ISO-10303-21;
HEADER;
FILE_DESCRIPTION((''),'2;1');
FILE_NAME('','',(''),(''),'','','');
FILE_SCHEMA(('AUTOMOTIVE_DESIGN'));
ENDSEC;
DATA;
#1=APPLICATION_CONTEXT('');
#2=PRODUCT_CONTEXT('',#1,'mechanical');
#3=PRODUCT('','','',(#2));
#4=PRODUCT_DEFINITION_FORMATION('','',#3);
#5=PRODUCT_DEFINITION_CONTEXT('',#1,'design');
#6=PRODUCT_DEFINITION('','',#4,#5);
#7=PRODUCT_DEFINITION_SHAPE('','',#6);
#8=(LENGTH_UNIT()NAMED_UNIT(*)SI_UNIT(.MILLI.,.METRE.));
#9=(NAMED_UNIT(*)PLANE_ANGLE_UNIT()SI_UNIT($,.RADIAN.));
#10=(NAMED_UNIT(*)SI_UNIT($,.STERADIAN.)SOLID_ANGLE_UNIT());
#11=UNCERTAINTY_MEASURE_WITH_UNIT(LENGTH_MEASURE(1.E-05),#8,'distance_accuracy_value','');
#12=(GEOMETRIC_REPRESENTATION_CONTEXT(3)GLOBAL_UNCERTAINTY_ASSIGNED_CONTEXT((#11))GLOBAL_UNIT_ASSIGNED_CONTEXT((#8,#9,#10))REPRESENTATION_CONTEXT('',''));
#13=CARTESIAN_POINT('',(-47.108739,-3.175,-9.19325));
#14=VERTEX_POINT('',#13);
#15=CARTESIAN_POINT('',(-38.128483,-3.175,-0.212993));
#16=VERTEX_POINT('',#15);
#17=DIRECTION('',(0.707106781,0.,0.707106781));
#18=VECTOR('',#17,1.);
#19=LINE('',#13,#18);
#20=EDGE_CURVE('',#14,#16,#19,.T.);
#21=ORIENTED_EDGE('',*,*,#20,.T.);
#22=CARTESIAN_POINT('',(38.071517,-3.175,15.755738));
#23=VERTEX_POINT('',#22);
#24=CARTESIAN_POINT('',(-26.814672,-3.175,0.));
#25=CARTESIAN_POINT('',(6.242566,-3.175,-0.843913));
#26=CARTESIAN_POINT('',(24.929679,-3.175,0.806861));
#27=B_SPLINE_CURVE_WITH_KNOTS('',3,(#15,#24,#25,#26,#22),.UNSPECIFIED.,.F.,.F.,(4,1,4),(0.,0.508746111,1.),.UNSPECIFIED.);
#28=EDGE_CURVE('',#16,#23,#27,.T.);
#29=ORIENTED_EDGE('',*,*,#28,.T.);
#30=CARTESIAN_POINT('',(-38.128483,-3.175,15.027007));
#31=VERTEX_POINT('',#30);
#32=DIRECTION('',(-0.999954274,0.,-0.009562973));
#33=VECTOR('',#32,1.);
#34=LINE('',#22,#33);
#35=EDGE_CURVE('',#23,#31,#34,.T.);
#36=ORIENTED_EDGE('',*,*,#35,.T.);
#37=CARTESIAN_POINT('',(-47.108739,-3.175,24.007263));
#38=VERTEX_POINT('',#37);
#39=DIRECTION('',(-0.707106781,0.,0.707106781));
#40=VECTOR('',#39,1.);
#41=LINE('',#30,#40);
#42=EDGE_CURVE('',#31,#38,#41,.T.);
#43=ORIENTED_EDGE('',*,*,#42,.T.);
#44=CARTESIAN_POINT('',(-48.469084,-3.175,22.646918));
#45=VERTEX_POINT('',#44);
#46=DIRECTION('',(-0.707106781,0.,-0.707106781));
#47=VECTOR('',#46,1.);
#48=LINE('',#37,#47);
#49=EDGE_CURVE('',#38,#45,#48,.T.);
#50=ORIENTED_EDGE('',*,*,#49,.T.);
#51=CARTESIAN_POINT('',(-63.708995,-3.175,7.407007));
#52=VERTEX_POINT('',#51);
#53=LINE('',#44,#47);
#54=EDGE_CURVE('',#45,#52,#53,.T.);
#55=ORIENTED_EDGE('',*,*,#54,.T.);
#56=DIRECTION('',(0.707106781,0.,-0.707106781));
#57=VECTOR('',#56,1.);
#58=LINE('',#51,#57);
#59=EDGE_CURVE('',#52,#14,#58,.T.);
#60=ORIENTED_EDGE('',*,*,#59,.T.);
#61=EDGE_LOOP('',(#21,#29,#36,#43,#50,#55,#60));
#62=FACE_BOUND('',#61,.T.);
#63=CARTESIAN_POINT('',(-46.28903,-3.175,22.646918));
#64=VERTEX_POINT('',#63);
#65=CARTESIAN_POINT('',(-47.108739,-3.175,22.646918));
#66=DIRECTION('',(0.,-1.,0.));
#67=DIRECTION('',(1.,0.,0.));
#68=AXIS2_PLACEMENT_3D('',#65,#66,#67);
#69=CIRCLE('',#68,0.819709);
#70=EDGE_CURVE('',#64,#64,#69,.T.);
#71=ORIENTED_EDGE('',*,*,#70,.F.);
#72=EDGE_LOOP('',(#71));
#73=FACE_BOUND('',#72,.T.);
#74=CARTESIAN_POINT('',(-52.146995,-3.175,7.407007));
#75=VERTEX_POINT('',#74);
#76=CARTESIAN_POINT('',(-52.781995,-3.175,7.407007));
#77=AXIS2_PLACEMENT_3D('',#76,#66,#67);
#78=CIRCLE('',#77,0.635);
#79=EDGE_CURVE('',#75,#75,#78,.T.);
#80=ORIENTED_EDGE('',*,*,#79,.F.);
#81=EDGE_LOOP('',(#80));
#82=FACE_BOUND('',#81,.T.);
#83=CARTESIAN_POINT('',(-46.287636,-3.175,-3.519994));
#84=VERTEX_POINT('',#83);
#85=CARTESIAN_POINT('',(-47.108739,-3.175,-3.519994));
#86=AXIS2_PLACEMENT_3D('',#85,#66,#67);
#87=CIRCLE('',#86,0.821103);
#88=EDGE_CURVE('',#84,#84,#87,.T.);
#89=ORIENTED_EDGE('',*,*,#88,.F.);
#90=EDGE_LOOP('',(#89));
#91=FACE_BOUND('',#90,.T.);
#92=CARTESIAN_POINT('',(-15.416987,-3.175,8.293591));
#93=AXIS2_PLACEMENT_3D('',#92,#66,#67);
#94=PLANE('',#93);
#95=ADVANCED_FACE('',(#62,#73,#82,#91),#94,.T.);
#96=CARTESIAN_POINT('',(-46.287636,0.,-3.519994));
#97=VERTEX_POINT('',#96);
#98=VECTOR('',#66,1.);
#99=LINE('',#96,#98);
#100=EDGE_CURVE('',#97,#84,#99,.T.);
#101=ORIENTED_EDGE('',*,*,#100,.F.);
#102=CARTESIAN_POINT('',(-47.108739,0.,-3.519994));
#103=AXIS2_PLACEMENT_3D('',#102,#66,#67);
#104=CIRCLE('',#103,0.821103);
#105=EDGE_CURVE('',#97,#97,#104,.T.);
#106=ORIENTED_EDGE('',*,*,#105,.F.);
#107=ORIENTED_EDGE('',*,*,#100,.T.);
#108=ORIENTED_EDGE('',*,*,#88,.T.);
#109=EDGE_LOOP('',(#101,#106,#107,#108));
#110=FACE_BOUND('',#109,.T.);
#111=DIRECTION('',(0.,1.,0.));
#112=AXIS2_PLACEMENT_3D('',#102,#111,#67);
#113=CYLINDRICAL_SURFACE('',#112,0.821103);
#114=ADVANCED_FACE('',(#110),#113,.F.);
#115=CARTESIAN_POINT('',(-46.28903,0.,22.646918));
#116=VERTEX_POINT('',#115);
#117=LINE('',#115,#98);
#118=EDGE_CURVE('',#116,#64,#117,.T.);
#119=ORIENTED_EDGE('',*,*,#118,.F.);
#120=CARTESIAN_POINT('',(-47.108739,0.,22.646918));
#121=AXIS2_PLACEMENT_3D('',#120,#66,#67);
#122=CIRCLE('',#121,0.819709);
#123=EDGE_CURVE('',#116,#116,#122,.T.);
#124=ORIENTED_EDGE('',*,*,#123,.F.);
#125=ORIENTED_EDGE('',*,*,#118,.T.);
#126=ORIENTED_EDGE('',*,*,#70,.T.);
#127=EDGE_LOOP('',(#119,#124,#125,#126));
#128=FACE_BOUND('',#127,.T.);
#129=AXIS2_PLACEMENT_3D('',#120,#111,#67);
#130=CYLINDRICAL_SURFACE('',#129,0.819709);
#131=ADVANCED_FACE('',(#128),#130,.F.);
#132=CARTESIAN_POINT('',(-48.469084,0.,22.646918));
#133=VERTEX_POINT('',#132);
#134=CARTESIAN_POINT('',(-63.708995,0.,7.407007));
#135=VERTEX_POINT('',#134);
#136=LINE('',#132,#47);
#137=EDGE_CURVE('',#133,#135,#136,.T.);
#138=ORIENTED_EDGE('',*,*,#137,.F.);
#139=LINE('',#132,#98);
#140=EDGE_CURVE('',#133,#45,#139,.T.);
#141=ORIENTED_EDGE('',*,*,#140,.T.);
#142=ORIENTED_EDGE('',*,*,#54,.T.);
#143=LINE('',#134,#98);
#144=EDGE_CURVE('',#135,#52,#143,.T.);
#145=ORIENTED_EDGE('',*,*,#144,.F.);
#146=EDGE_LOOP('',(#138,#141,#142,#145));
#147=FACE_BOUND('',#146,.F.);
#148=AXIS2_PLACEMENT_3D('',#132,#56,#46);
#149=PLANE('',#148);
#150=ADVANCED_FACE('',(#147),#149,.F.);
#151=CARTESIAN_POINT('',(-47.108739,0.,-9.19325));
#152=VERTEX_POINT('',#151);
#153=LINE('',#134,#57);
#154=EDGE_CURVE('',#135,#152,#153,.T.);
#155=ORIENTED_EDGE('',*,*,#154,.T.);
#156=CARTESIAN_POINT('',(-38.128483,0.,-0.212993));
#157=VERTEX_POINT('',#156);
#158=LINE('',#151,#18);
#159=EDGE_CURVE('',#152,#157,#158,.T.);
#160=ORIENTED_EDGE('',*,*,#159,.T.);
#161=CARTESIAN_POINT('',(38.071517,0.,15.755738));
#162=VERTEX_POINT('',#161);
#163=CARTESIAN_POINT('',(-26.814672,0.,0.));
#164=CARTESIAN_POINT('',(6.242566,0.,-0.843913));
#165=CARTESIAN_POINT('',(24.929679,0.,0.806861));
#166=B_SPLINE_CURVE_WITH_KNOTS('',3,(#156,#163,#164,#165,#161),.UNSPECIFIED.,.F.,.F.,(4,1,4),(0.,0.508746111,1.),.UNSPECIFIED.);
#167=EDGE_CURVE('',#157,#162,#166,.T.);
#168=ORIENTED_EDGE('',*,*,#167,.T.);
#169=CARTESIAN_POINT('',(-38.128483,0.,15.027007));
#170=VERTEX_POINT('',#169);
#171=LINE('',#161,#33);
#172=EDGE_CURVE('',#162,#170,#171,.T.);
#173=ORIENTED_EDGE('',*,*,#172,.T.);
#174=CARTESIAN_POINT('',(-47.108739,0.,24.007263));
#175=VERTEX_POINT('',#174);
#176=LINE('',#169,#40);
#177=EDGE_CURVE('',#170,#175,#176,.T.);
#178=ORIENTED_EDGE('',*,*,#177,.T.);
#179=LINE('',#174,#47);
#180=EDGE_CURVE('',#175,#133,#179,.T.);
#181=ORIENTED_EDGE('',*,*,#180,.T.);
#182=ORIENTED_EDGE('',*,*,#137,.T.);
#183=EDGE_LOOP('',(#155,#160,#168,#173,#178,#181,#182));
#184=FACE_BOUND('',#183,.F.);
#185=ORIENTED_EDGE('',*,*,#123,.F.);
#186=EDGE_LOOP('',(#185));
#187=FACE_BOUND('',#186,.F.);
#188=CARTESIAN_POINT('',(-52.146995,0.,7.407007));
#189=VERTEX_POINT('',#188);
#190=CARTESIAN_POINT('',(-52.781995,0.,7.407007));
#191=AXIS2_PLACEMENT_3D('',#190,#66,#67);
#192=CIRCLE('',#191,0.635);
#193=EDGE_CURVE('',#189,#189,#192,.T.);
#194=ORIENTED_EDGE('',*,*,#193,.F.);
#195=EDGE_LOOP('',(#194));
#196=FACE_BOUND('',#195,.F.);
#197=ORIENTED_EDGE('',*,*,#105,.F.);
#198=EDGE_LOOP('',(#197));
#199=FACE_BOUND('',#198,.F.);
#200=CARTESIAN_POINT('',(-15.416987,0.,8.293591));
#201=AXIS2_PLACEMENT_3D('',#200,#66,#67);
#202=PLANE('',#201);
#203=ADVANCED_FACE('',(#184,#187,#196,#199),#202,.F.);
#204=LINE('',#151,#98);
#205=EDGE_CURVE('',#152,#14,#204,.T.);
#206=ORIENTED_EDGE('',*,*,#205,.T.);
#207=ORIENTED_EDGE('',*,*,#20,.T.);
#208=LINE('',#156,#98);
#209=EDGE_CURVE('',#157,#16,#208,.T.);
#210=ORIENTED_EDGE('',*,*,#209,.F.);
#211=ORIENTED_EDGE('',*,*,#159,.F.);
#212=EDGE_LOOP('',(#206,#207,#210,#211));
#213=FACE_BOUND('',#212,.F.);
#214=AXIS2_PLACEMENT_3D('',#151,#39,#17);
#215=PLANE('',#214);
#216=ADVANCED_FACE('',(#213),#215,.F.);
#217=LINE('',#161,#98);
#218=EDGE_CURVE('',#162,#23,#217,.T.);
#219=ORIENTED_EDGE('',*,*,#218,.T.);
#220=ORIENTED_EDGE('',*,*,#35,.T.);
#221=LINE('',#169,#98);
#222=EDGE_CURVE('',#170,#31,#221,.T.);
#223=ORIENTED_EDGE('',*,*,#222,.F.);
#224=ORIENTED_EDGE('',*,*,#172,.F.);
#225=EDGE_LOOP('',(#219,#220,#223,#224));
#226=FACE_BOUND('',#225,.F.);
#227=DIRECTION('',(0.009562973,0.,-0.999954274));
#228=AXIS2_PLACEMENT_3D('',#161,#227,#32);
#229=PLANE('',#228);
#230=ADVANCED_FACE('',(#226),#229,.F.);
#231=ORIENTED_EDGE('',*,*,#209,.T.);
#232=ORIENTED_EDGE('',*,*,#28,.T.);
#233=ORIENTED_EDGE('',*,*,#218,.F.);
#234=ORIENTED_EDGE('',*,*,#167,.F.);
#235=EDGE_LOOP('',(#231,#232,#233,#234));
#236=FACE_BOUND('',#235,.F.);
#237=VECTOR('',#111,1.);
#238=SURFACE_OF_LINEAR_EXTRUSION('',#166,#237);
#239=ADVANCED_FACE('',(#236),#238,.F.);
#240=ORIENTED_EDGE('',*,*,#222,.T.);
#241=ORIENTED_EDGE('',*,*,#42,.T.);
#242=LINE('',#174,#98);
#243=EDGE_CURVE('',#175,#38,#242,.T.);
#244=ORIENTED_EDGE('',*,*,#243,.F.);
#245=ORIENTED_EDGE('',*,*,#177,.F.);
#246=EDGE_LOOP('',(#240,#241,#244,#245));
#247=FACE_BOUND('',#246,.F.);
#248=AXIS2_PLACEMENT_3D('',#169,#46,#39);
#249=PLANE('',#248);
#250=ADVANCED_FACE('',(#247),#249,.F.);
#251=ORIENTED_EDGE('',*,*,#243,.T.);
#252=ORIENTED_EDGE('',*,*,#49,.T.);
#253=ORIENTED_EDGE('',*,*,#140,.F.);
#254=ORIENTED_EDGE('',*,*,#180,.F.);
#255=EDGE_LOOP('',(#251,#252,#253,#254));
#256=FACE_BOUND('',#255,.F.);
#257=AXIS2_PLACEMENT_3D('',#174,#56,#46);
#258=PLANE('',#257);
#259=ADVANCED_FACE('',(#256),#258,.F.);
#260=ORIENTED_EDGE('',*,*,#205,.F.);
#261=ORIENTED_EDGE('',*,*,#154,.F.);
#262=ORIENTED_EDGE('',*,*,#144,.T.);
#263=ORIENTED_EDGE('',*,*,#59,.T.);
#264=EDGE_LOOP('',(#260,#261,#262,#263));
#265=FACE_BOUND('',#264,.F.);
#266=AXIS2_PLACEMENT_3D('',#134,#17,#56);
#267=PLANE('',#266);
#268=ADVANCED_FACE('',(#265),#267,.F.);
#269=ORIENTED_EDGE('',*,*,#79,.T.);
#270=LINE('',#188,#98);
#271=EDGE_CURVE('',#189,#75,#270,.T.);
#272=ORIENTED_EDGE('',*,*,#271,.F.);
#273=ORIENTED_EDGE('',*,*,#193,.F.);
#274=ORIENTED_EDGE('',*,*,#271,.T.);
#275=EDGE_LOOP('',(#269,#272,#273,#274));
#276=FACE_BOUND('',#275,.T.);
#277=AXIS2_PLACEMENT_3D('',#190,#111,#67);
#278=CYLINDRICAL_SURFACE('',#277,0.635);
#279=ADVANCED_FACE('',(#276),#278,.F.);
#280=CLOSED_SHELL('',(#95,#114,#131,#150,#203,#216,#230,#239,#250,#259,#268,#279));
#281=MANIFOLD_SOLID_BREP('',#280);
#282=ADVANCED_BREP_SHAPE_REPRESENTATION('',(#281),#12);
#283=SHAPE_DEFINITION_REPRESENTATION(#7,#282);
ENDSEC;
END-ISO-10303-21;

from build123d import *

# Parameters (mm, degrees)
F0_R     = 0.8211030373
F0_R_2   = 0.635
F0_R_3   = 0.8197091978
F1_DEPTH = 3.175


with BuildPart() as f1:
    # F0 (on Front) → F1 (new body)
    with BuildSketch(Plane.XZ):
        with BuildLine():
            Line((-47.1087390124, 24.0072626846), (-48.469083822, 22.6469178751))
            Line((-48.469083822, 22.6469178751), (-63.7089951335, 7.4070065636))
            Line((-63.7089951335, 7.4070065636), (-52.7819947797, -3.5199937902))
            Line((-52.7819947797, -3.5199937902), (-47.1087390124, -9.1932495575))
            Line((-47.1087390124, -9.1932495575), (-38.1284828914, -0.2129934364))
            add(Edge.make_bspline(
                [(-38.1284828914, -0.2129934364), (-26.814672436, 0), (6.2425657095, -0.8439129588), (24.9296786636, 0.8068612607), (38.0715171086, 15.7557384048)],
                knots=[0, 0, 0, 0, 0.5087461109, 1, 1, 1, 1], degree=3))
            Line((38.0715171086, 15.7557384048), (-38.1284828914, 15.0270065636))
            Line((-38.1284828914, 15.0270065636), (-47.1087390124, 24.0072626846))
        make_face()
        with Locations((-47.1087390124, -3.5199937902)):
            Circle(F0_R, mode=Mode.SUBTRACT)
        with Locations((-52.7819947797, 7.4070065636)):
            Circle(F0_R_2, mode=Mode.SUBTRACT)
        with Locations((-47.1087390124, 22.6469178751)):
            Circle(F0_R_3, mode=Mode.SUBTRACT)
    extrude(amount=F1_DEPTH)


solid = f1.part
